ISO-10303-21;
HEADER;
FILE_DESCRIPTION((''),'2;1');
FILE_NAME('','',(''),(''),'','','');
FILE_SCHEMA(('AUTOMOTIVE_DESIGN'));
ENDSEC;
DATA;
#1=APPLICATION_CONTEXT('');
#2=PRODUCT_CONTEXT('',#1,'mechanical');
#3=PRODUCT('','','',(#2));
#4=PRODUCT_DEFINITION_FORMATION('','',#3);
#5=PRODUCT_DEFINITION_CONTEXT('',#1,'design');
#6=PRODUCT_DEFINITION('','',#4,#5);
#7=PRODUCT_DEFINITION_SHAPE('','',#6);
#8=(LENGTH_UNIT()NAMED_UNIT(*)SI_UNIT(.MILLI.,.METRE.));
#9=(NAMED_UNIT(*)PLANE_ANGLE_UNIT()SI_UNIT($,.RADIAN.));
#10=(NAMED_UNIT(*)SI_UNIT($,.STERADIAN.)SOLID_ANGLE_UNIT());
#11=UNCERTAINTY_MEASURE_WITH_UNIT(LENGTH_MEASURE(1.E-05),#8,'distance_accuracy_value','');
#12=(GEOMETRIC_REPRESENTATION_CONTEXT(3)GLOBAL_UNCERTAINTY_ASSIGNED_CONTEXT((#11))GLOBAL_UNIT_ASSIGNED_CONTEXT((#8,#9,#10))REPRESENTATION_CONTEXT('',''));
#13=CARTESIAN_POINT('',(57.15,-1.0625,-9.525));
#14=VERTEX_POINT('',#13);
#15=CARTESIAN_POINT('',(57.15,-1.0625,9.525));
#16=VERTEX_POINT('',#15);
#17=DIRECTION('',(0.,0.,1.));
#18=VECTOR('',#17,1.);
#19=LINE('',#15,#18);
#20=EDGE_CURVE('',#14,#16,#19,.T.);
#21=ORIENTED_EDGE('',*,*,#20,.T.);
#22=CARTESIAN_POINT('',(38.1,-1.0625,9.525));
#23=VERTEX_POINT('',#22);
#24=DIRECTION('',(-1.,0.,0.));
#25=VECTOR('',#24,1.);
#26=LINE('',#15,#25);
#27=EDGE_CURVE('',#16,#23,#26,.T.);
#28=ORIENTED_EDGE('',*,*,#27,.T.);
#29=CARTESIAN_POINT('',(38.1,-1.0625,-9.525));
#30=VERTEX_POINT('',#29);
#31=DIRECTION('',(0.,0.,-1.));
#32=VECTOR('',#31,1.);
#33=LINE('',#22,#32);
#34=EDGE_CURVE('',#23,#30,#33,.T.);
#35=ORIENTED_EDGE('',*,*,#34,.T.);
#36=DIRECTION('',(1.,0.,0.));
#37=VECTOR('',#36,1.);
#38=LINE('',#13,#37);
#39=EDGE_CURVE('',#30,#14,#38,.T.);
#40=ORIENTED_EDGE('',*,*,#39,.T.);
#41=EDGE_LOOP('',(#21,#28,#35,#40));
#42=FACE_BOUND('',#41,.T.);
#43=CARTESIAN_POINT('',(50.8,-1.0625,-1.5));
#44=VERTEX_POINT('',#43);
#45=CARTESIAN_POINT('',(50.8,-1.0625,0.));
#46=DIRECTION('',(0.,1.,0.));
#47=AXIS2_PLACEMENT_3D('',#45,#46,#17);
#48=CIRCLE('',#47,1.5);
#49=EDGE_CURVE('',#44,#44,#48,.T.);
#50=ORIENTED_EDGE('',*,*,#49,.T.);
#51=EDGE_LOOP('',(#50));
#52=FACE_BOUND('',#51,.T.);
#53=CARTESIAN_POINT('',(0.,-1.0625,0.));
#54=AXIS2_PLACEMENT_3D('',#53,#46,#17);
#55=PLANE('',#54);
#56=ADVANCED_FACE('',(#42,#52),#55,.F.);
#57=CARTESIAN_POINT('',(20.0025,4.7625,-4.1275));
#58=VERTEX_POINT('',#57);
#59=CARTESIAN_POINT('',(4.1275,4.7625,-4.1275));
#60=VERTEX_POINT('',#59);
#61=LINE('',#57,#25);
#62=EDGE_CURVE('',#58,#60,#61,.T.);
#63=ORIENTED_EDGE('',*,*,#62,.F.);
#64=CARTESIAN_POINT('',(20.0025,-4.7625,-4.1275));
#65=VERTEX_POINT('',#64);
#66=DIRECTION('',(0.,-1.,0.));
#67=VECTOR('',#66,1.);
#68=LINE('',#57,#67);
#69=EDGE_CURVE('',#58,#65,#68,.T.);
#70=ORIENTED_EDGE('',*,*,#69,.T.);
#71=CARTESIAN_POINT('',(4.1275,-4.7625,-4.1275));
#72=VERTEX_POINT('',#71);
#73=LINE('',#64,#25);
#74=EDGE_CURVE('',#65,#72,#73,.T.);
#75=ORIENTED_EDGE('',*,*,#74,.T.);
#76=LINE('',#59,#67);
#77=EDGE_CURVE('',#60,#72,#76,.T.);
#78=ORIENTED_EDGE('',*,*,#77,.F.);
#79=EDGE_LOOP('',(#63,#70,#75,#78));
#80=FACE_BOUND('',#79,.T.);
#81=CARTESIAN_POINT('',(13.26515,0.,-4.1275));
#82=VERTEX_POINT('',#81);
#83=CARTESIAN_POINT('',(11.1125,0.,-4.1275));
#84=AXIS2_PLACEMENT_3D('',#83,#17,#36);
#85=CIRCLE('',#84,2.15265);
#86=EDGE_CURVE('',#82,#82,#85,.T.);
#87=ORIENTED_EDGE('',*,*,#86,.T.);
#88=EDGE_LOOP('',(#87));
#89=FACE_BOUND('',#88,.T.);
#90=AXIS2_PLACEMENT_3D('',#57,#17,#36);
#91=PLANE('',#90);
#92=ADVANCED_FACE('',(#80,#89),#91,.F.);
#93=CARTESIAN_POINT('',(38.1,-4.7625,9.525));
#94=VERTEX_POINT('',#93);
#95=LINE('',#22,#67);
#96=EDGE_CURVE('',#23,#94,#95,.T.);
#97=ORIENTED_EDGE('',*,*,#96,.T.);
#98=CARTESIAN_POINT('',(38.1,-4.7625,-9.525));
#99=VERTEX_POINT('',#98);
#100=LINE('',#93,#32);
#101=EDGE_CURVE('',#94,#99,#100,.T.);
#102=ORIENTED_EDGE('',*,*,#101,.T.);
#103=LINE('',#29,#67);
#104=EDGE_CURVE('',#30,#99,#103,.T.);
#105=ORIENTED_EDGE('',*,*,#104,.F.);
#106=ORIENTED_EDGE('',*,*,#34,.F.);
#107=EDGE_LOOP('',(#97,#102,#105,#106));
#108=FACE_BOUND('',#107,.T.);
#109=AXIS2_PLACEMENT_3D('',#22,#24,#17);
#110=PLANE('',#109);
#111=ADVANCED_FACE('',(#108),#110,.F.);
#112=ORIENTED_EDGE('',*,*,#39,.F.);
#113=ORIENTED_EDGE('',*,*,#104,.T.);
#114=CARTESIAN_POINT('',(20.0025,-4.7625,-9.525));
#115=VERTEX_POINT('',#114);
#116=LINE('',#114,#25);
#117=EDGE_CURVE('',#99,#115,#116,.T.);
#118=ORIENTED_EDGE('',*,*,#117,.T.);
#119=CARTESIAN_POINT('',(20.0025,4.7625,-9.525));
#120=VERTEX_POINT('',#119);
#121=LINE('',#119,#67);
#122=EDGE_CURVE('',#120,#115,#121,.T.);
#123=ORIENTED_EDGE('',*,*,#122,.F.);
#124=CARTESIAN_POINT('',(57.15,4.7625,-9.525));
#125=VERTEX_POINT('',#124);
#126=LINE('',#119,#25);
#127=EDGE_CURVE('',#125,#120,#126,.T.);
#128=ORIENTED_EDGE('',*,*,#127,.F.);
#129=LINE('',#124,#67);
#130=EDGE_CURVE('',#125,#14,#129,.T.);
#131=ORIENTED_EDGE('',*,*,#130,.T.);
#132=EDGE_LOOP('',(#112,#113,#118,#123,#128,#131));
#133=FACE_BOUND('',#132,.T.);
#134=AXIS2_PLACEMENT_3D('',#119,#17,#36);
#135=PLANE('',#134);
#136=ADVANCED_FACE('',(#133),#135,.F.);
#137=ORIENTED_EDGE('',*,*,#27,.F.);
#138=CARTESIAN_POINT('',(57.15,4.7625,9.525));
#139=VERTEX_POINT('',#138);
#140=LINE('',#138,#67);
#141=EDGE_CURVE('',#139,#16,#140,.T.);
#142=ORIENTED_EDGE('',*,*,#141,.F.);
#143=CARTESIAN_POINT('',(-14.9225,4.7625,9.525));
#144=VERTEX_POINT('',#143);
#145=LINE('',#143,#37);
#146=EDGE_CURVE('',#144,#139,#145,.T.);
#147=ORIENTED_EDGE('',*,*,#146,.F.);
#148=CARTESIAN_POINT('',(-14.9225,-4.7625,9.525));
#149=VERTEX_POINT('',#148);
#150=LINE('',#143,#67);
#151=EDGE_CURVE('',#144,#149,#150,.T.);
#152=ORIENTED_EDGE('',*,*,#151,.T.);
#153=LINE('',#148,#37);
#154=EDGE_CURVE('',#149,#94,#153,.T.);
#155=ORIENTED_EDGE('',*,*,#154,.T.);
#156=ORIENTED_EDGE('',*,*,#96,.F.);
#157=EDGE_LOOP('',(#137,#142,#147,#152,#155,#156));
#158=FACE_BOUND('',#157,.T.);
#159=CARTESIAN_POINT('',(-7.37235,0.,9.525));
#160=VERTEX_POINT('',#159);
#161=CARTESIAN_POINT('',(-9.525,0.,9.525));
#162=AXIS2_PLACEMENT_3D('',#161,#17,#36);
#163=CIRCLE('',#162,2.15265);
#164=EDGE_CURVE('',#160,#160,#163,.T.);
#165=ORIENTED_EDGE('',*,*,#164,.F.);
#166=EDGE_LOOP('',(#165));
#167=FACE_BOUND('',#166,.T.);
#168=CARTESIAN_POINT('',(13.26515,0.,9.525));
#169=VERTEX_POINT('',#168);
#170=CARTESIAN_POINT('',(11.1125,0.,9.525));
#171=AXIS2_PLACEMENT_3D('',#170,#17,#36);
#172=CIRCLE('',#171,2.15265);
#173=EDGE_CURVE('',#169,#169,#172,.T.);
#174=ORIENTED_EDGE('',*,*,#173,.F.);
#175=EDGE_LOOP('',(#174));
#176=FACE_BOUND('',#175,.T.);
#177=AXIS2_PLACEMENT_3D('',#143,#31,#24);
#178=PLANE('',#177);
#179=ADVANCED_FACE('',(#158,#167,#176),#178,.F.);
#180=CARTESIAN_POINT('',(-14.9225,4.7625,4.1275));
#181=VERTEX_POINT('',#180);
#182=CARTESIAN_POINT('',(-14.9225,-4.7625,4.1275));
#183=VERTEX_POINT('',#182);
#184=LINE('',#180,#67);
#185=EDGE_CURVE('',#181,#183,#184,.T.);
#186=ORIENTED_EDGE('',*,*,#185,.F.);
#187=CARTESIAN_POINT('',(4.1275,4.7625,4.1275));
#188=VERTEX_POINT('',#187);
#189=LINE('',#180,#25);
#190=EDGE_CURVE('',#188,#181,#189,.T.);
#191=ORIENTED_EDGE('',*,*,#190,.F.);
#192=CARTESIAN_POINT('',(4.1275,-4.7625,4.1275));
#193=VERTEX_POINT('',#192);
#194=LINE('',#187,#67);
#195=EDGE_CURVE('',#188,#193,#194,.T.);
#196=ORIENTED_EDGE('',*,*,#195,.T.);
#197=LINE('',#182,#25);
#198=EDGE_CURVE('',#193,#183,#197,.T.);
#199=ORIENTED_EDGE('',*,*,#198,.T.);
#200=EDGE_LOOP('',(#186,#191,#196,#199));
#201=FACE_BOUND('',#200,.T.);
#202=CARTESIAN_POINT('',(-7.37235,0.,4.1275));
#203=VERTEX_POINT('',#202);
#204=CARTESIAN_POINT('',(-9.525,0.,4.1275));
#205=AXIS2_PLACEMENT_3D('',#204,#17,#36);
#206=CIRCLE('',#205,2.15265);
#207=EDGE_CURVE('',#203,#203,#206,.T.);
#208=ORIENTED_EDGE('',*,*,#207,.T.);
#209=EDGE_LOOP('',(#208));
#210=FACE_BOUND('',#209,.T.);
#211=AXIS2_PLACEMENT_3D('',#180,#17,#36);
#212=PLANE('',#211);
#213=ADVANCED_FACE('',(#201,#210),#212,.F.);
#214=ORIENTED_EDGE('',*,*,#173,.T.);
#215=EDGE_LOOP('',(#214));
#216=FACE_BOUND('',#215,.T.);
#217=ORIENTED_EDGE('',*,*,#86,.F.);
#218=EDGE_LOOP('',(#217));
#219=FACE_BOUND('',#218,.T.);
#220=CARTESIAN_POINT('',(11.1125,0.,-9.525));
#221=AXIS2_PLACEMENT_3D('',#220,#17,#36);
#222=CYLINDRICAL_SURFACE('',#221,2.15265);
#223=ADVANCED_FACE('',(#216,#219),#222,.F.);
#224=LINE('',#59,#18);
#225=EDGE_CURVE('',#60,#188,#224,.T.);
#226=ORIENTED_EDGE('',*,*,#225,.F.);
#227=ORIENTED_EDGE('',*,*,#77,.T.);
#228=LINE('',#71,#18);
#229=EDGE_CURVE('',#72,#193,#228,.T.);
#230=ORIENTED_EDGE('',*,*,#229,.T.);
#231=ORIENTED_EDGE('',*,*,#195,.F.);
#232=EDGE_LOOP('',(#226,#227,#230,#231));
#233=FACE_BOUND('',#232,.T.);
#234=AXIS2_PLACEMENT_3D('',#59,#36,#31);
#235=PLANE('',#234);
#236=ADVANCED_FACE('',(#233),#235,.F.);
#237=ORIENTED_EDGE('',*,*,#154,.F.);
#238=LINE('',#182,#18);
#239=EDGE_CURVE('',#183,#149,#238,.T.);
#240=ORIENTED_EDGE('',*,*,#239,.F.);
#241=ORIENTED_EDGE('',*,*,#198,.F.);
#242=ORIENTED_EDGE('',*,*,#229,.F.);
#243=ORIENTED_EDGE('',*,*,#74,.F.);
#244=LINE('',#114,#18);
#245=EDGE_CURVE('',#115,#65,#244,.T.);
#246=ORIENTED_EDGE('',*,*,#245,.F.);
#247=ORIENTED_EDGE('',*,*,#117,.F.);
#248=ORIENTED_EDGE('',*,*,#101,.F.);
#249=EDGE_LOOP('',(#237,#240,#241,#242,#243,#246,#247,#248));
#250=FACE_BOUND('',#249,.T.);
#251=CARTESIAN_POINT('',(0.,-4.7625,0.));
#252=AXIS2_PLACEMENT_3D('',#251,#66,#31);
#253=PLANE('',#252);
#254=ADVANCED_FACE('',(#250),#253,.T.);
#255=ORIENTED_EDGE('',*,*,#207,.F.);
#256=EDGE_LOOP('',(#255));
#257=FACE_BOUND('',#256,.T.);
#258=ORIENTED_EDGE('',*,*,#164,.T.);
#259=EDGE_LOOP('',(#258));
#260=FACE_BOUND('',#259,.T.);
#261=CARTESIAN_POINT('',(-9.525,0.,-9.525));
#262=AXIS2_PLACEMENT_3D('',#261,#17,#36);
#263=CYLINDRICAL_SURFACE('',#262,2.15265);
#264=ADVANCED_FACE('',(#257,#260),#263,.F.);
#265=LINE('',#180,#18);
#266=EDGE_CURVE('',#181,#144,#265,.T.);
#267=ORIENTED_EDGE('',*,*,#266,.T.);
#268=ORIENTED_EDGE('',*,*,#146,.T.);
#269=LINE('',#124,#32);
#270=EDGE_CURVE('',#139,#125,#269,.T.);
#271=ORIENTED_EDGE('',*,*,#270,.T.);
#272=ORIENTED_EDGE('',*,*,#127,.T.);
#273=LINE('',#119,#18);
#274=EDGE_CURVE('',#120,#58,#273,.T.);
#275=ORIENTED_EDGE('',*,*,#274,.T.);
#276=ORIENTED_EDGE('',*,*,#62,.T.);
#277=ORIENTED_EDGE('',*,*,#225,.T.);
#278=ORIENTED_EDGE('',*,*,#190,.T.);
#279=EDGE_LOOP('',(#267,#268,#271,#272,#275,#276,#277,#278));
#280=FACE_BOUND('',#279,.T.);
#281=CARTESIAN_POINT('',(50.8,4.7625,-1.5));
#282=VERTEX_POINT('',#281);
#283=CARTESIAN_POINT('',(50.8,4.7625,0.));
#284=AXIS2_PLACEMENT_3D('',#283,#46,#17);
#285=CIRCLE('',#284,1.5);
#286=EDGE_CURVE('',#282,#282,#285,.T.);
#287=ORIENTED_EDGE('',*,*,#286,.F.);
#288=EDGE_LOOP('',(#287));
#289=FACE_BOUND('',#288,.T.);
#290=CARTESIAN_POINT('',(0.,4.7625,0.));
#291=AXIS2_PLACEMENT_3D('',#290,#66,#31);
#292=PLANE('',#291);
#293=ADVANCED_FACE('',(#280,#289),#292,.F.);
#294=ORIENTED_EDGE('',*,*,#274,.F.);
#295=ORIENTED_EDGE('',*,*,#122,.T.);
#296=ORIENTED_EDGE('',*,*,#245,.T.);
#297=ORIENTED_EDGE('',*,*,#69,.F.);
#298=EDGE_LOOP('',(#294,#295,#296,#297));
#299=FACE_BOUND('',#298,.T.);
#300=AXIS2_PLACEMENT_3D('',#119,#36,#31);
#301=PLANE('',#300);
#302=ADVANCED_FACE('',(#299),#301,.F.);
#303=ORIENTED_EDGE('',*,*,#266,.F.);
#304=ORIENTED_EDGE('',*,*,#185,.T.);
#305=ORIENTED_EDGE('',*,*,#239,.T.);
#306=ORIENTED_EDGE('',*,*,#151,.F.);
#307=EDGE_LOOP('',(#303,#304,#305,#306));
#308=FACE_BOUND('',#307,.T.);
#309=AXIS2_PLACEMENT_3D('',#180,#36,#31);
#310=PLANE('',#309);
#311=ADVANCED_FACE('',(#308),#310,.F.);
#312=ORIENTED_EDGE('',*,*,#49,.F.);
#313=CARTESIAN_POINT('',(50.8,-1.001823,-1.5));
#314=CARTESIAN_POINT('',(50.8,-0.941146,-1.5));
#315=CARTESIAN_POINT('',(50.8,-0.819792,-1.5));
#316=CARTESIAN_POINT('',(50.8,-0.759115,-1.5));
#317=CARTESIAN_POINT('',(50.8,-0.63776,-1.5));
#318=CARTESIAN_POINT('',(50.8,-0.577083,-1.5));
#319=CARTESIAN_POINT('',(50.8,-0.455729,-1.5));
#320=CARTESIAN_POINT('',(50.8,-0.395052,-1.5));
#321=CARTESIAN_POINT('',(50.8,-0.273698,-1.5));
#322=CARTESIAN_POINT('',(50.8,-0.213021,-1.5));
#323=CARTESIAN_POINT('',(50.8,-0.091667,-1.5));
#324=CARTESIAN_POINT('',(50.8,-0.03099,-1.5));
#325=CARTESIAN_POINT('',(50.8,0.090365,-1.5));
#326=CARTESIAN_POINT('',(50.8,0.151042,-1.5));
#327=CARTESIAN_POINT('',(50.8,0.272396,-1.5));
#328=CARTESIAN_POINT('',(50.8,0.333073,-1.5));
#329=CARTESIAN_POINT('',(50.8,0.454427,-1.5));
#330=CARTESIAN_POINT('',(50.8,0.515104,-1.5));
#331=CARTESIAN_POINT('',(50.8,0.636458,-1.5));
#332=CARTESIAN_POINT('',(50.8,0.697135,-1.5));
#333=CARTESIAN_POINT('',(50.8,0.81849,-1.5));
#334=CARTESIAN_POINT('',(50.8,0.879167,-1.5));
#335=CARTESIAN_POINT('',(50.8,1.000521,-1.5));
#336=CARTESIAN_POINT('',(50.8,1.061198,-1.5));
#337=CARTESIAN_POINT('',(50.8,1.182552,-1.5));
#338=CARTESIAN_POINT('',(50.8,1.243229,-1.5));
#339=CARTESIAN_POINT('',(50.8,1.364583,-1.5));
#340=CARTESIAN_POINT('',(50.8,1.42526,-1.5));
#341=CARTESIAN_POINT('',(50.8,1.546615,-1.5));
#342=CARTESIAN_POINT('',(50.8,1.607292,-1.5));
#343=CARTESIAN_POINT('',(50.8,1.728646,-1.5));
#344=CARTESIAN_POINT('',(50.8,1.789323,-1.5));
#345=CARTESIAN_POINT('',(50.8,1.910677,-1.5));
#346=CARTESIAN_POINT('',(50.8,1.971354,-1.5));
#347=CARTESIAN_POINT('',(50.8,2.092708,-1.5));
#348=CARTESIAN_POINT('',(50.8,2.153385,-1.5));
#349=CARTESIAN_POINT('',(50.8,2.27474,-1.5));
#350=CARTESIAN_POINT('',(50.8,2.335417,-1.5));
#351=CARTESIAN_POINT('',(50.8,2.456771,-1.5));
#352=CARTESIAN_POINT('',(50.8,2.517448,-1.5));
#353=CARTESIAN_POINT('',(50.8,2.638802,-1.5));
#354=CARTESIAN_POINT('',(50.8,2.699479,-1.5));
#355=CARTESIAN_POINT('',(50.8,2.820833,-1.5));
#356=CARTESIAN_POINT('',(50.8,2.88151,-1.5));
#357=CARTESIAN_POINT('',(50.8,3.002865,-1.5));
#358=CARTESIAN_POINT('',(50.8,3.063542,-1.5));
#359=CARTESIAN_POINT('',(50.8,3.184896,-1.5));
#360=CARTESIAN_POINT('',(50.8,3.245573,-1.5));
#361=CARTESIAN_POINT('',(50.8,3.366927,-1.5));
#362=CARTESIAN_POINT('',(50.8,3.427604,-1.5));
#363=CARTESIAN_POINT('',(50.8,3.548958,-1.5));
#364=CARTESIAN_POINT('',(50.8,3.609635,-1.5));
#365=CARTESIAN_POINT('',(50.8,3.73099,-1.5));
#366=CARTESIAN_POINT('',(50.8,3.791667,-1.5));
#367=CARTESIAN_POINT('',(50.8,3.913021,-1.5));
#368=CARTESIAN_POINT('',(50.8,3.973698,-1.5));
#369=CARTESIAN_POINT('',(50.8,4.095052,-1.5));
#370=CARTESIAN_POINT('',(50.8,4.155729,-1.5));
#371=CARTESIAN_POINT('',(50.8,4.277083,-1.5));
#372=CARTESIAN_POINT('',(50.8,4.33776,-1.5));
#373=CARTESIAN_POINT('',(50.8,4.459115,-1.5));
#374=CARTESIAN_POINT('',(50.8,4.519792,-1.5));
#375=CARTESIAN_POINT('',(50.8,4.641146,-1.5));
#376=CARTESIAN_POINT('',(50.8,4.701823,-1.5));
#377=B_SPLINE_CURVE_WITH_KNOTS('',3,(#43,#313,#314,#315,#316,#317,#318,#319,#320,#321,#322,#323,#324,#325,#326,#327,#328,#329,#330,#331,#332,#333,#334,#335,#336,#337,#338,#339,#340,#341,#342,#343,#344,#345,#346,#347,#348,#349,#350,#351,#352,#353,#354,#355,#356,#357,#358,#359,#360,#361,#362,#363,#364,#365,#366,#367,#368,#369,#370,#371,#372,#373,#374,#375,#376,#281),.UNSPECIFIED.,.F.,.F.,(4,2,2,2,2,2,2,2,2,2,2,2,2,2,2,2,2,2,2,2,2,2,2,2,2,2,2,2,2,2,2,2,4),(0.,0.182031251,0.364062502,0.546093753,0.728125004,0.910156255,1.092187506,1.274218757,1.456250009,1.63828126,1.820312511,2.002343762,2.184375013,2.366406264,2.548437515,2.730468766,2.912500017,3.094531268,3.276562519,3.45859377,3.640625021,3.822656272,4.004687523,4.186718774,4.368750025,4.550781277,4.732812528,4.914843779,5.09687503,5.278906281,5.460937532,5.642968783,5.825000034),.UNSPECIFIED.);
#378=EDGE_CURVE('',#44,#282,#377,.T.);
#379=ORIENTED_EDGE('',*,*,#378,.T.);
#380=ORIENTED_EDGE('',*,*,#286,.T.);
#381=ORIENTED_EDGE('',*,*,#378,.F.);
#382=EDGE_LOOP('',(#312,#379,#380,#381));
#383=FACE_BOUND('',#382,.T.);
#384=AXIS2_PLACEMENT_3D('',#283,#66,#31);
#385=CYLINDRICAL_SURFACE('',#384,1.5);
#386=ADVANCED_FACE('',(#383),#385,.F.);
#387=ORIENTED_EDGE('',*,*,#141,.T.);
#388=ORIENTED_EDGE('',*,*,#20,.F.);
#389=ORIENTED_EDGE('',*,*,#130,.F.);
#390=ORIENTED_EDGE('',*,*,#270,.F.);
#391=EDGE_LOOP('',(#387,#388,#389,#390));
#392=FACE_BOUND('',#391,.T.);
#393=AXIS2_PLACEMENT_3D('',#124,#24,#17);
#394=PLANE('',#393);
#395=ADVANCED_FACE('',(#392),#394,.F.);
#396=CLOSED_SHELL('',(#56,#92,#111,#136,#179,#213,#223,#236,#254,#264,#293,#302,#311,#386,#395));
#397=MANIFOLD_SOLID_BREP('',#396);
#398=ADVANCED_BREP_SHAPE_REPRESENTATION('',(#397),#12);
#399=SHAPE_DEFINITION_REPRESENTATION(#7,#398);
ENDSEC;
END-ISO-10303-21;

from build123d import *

# Parameters (mm, degrees)
SKETCH1_R           = 1.5
BOSS_EXTRUDE1_DEPTH = 4.7625
SKETCH2_R           = 2.15265
CUT_EXTRUDE1_DEPTH  = 61.429350536
SKETCH3_W           = 19.05
SKETCH3_H           = 19.05
CUT_EXTRUDE2_DEPTH  = 3.699999966


with BuildPart() as part:
    # Sketch1 → Boss-Extrude1 (new, symmetric)
    with BuildSketch(Plane(origin=(0, 0, 0), x_dir=(1, 0, 0), z_dir=(0, 1, 0))):
        Polygon((-14.9225, -4.1275), (-14.9225, -9.525), (57.15, -9.525), (57.15, 9.525), (20.0025, 9.525), (20.0025, 4.1275), (4.1275, 4.1275), (4.1275, -4.1275), align=None)
        with Locations(Location((50.8, 0, 0), (0, 0, 90))):
            Circle(SKETCH1_R, mode=Mode.SUBTRACT)
    extrude(amount=BOSS_EXTRUDE1_DEPTH, both=True)

    # Sketch2 → Cut-Extrude1 (cut, through all)
    with BuildSketch(Plane.XY.offset(9.525)):
        with Locations((-9.525, 0)):
            Circle(SKETCH2_R)
        with Locations((11.1125, 0)):
            Circle(SKETCH2_R)
    extrude(amount=-CUT_EXTRUDE1_DEPTH, mode=Mode.SUBTRACT)

    # Sketch3 → Cut-Extrude2 (cut)
    with BuildSketch(Plane.XZ.offset(4.7625)):
        with Locations((47.625, 0)):
            Rectangle(SKETCH3_W, SKETCH3_H)
    extrude(amount=-CUT_EXTRUDE2_DEPTH, mode=Mode.SUBTRACT)


solid = part.part
